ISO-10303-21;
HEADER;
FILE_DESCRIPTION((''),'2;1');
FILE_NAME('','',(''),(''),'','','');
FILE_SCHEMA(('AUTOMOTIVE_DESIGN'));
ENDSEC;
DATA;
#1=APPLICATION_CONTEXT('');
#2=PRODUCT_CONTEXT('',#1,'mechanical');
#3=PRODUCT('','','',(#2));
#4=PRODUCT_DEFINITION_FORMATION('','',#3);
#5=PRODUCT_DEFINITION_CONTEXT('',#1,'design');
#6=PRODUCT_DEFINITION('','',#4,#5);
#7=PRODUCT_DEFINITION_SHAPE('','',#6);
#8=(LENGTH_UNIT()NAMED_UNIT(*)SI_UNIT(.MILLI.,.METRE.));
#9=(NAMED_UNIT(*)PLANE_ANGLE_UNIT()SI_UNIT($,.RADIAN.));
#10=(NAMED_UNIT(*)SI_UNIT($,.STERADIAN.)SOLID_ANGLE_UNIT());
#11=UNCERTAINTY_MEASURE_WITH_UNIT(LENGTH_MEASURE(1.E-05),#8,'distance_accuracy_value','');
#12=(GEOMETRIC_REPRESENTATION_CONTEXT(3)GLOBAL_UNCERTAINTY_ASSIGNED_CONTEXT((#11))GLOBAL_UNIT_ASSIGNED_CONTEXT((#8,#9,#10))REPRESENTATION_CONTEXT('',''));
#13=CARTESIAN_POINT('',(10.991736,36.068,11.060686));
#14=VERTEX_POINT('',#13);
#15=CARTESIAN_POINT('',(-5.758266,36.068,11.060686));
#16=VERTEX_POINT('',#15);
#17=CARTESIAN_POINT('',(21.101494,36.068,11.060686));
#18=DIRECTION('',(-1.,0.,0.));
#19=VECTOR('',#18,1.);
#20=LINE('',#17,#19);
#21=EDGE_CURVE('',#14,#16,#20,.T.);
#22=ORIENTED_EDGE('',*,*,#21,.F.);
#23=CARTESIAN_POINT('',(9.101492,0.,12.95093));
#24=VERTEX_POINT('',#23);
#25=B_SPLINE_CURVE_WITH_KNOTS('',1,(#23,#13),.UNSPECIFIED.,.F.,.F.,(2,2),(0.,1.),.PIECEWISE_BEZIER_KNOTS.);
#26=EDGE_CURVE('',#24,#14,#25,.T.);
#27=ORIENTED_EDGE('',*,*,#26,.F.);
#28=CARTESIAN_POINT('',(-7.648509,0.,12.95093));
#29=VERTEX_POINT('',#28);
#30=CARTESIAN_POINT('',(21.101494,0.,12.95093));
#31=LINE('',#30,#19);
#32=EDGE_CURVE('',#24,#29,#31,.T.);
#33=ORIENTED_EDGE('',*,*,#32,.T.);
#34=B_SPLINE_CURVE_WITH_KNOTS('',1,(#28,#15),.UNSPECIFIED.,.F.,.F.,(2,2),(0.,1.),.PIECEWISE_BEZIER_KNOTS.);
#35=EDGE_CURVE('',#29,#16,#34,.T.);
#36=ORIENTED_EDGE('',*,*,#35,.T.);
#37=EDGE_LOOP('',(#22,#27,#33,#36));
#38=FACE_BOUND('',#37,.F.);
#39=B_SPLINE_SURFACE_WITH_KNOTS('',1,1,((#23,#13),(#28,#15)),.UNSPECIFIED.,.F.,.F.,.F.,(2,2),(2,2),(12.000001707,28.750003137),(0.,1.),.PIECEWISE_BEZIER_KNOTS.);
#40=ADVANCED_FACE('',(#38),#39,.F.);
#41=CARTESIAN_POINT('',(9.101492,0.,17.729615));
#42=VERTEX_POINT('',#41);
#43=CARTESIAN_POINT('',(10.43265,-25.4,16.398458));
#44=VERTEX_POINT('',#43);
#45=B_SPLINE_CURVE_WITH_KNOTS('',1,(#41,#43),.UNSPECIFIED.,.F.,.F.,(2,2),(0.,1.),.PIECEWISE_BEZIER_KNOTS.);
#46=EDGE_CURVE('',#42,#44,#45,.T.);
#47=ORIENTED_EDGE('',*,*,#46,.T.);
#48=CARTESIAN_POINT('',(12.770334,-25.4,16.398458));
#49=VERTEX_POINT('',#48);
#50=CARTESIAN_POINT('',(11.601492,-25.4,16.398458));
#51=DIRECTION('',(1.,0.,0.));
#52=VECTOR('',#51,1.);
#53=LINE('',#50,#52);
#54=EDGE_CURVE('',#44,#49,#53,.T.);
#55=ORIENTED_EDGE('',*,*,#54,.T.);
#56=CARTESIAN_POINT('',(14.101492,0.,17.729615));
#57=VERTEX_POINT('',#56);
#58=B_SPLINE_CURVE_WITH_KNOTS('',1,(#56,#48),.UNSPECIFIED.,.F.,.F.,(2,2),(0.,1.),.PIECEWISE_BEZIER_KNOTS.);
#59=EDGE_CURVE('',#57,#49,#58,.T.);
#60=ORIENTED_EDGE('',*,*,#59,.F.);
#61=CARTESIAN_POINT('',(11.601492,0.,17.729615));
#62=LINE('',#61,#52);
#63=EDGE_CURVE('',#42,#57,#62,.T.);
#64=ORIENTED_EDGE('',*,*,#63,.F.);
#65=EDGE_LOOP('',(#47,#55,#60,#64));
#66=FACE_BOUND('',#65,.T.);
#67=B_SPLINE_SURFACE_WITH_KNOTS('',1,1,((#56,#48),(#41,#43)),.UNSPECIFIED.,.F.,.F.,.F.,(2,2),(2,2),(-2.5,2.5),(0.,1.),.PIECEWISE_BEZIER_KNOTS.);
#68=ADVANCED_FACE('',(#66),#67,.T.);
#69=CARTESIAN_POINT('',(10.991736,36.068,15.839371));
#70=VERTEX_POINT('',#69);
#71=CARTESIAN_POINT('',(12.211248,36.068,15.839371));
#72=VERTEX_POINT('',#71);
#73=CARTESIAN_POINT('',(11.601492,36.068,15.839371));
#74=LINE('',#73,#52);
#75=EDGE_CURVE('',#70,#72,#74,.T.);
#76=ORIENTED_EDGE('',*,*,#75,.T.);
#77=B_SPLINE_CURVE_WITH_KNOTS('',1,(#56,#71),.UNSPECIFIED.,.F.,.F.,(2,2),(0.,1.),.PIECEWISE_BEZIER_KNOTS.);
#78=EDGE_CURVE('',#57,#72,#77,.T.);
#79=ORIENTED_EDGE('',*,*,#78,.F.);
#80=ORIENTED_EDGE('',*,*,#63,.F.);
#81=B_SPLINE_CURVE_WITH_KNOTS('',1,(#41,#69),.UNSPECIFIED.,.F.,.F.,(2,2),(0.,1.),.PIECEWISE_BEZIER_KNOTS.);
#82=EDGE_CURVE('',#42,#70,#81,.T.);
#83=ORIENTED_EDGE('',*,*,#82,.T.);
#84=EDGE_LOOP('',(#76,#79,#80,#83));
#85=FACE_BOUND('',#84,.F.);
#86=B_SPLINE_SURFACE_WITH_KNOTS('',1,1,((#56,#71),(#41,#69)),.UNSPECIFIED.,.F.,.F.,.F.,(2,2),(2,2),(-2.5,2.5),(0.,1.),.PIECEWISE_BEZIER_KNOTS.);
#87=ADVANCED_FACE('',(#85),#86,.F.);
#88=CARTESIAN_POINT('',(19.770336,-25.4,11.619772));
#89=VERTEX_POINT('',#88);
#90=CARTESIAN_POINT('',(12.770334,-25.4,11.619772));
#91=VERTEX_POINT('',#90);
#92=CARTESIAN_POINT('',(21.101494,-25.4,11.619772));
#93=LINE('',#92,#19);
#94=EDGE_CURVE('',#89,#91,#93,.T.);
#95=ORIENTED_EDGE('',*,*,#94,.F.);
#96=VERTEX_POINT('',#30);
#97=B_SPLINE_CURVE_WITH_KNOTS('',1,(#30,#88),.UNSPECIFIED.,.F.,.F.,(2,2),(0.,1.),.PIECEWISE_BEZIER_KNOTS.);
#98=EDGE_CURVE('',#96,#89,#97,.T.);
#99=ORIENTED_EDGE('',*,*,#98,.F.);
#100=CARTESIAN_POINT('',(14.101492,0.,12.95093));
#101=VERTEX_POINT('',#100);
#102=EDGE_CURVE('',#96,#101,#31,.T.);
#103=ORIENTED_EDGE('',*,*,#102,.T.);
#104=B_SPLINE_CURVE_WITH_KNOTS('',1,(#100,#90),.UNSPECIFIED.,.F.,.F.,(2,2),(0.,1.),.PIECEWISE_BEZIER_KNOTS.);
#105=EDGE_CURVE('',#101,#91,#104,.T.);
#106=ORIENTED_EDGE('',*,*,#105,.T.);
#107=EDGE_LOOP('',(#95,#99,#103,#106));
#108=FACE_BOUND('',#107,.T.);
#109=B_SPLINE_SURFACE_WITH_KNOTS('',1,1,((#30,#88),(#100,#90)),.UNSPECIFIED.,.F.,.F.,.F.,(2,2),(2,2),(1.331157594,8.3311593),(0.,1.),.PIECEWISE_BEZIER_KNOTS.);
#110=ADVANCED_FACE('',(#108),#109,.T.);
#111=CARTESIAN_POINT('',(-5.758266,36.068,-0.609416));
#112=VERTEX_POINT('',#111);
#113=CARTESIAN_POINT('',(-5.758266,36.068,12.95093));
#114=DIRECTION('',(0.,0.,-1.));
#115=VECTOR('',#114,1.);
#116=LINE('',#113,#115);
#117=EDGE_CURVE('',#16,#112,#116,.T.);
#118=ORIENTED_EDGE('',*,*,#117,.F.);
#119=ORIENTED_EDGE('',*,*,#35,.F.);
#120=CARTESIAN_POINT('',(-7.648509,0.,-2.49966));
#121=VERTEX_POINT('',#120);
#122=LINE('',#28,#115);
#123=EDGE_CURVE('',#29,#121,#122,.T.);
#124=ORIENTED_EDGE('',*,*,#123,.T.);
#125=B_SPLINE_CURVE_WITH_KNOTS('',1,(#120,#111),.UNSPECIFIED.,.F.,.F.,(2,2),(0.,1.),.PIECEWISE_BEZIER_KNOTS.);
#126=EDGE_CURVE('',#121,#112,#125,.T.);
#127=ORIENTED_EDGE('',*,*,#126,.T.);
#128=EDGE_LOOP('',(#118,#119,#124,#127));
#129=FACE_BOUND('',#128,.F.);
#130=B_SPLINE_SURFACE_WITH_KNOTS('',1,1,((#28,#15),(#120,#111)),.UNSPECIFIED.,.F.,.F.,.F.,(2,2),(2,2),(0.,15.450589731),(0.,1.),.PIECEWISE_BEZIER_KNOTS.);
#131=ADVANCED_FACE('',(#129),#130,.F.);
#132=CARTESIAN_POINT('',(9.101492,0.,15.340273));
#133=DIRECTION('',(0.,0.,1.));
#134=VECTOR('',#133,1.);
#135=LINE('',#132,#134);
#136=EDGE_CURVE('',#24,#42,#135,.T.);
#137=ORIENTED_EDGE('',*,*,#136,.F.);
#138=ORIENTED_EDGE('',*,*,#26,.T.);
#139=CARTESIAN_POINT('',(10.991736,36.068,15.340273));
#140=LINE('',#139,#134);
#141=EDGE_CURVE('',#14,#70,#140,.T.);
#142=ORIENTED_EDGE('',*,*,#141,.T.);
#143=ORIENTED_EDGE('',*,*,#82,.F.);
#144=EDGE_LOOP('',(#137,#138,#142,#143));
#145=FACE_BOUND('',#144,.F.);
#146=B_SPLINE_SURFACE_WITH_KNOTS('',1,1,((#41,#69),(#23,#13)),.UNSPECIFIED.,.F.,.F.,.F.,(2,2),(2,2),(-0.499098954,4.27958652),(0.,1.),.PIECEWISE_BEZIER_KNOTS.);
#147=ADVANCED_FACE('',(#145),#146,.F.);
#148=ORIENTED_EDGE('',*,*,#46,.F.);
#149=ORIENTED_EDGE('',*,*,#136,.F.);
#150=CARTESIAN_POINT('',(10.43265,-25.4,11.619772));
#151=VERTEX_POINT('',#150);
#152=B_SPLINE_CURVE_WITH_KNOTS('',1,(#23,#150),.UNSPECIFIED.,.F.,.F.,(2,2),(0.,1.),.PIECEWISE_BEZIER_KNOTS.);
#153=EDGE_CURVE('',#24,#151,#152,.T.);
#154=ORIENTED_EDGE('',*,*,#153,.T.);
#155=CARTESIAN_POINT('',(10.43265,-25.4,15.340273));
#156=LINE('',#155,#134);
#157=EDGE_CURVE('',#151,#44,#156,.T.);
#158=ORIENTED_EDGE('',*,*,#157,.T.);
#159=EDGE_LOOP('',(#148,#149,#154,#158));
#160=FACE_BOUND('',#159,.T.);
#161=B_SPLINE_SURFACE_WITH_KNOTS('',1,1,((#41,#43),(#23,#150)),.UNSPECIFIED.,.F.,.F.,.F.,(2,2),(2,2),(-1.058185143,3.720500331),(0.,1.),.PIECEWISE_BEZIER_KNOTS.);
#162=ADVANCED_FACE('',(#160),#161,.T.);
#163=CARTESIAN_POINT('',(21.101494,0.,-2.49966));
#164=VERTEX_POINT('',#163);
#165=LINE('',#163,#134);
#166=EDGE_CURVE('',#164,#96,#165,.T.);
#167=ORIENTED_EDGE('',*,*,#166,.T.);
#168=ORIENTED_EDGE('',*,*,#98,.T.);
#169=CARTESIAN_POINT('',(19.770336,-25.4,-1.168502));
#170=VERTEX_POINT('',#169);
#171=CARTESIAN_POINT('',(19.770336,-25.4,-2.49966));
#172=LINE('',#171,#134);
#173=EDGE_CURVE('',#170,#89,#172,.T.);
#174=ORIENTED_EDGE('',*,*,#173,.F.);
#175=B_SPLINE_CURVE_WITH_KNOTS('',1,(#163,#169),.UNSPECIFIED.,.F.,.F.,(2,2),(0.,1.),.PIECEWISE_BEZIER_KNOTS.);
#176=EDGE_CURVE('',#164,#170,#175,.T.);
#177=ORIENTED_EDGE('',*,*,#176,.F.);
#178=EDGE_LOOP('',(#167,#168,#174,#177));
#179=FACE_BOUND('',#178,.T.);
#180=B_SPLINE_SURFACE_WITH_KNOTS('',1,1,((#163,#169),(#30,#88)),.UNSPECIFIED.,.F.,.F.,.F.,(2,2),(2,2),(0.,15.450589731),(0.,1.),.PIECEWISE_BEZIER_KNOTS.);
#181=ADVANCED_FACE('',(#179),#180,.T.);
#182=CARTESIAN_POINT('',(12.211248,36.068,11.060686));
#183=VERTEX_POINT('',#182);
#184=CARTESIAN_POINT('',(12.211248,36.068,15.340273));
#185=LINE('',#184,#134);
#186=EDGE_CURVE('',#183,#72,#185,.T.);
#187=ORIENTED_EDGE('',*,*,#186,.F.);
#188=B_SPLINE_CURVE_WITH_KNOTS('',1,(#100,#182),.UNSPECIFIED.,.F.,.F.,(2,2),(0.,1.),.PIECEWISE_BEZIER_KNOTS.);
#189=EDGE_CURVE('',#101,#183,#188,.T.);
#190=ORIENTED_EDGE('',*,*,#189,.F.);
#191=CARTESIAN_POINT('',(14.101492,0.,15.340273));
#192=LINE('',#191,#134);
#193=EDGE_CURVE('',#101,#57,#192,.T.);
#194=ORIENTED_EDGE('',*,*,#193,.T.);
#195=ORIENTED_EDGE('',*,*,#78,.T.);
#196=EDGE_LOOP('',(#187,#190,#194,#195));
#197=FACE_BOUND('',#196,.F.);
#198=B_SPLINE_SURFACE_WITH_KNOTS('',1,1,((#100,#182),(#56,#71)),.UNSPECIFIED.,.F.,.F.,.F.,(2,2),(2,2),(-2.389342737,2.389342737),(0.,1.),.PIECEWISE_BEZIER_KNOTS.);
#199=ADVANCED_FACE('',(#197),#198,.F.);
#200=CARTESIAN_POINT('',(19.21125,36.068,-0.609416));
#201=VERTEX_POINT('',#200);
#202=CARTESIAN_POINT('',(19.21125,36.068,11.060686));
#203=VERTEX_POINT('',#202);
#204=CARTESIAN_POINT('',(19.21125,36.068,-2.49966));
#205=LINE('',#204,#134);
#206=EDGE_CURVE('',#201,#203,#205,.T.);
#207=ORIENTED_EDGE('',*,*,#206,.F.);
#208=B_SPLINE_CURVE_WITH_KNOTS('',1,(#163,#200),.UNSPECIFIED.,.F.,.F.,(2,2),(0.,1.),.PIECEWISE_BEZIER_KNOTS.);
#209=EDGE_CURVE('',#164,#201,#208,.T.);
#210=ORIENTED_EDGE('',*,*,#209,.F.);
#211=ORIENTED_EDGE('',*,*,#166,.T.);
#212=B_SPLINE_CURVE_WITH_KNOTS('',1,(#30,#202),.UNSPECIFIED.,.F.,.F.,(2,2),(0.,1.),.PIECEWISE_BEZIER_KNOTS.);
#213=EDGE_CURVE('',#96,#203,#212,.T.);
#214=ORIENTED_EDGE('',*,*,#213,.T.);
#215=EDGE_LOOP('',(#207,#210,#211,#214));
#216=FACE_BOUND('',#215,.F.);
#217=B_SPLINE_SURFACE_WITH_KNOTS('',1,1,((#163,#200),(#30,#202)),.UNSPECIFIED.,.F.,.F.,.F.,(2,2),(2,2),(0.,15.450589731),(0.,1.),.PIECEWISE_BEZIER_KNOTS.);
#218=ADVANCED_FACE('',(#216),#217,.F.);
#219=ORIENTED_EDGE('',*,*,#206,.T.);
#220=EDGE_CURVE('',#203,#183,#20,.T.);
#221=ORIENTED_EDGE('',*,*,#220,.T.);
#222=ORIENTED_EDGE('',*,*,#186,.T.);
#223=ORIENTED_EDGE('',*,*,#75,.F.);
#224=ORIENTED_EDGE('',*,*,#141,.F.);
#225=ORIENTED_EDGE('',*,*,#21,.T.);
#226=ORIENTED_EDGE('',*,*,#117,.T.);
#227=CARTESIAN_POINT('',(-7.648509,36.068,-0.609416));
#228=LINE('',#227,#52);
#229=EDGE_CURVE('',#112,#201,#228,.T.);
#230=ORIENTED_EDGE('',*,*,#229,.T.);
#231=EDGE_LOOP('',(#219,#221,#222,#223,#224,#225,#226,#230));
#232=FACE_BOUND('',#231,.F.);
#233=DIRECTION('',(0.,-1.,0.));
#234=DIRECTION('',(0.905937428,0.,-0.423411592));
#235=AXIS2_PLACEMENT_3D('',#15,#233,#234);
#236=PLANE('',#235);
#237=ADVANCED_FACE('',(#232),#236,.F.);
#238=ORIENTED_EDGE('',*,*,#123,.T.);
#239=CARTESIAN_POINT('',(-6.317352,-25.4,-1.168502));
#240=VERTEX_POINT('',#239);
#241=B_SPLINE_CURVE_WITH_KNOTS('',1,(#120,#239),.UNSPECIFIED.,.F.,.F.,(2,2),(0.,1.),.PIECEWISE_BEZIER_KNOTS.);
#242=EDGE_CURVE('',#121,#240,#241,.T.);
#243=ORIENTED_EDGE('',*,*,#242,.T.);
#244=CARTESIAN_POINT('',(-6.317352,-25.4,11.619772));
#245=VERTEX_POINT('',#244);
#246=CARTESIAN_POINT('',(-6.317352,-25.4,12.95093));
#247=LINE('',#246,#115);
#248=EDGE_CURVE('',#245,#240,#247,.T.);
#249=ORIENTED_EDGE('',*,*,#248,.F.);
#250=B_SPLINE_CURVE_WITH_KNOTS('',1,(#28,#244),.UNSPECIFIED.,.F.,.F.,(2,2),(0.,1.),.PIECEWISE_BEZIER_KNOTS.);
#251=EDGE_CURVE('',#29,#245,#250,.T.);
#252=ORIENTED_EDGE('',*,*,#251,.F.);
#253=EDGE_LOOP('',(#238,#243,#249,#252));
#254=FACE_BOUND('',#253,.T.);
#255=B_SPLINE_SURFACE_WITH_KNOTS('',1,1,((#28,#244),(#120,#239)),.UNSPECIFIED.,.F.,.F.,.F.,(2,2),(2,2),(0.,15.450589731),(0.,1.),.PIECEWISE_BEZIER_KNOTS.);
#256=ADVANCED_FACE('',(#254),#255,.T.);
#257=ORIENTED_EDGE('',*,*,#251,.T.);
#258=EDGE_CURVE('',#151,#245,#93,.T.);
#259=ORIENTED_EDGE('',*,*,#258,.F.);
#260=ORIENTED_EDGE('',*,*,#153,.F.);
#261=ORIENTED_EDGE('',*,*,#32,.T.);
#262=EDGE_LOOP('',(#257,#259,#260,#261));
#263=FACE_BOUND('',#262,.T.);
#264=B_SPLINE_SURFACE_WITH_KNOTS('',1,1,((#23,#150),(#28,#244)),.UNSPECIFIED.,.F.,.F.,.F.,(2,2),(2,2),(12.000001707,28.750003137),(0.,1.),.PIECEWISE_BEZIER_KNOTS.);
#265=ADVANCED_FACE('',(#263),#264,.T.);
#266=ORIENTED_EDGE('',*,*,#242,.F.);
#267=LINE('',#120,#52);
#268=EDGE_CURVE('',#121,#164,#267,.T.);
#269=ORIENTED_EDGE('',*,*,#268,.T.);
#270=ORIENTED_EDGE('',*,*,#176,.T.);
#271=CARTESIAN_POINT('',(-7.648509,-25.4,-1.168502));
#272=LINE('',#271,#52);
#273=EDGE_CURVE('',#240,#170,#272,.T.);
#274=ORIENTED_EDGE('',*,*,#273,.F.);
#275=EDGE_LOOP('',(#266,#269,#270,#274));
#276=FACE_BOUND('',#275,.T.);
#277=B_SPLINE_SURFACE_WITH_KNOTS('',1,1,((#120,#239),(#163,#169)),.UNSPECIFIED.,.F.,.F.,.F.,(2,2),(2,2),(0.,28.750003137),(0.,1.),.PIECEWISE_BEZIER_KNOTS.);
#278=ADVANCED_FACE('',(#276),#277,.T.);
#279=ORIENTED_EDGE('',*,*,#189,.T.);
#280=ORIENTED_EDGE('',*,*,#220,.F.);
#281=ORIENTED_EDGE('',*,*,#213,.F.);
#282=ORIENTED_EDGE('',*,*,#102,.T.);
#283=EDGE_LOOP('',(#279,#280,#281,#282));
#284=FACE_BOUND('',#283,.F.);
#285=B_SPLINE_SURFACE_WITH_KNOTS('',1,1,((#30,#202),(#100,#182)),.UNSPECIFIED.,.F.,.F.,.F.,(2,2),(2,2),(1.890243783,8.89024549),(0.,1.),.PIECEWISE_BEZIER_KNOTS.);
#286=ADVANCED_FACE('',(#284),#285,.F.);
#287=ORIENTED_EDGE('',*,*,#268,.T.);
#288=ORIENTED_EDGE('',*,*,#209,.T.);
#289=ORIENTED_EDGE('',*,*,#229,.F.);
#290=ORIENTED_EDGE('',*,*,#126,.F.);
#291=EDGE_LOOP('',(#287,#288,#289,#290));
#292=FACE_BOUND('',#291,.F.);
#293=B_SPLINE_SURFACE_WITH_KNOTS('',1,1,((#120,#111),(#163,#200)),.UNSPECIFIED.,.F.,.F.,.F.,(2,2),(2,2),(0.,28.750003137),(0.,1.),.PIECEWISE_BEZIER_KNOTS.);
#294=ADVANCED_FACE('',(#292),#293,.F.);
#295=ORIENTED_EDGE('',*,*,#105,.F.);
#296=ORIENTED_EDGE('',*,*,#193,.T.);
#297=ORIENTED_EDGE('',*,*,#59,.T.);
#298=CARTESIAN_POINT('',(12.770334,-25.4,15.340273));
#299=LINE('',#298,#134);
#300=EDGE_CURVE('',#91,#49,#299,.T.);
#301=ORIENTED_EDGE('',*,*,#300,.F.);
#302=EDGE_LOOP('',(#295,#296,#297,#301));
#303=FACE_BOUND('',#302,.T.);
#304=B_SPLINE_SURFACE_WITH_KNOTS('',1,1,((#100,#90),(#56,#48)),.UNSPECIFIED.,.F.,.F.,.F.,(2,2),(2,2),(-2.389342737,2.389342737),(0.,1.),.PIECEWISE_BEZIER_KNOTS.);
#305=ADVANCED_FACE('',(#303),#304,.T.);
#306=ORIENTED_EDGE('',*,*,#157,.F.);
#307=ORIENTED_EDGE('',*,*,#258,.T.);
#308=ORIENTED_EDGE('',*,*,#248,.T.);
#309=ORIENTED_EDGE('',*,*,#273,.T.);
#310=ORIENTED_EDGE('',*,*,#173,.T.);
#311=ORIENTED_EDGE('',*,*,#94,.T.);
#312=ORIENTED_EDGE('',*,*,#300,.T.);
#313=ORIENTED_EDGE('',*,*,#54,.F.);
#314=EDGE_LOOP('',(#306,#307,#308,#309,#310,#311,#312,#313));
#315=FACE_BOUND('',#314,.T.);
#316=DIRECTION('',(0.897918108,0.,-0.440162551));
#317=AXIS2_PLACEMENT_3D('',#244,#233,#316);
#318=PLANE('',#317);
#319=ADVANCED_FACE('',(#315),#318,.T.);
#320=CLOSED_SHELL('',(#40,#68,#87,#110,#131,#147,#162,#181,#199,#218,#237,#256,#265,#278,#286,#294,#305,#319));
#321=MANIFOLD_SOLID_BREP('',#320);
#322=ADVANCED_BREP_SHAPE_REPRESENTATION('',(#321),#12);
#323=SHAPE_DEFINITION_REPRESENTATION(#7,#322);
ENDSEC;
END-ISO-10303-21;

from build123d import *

# Parameters (mm, degrees)
F0_W          = 5
F0_H          = 4.7786854745
F1_DEPTH      = 36.068
F1_TAPER      = 3
F1_DEPTH_BACK = 25.4
F1_TAPER_BACK = 3


with BuildPart() as f1:
    # F0 (on Front) → F1 (new body, two sides)
    with BuildSketch(Plane.XZ) as f1_sk:
        Polygon((9.1014920583, 12.9509297859), (-7.6485093721, 12.9509297859), (-7.6485093721, -2.4996599448), (21.1014937648, -2.4996599448), (21.1014937648, 12.9509297859), (14.1014920583, 12.9509297859), align=None)
        with Locations((11.6014920583, 15.3402725232)):
            Rectangle(F0_W, F0_H)
    extrude(amount=-F1_DEPTH, taper=F1_TAPER)
    extrude(f1_sk.sketch, amount=F1_DEPTH_BACK, taper=F1_TAPER_BACK)


solid = f1.part
